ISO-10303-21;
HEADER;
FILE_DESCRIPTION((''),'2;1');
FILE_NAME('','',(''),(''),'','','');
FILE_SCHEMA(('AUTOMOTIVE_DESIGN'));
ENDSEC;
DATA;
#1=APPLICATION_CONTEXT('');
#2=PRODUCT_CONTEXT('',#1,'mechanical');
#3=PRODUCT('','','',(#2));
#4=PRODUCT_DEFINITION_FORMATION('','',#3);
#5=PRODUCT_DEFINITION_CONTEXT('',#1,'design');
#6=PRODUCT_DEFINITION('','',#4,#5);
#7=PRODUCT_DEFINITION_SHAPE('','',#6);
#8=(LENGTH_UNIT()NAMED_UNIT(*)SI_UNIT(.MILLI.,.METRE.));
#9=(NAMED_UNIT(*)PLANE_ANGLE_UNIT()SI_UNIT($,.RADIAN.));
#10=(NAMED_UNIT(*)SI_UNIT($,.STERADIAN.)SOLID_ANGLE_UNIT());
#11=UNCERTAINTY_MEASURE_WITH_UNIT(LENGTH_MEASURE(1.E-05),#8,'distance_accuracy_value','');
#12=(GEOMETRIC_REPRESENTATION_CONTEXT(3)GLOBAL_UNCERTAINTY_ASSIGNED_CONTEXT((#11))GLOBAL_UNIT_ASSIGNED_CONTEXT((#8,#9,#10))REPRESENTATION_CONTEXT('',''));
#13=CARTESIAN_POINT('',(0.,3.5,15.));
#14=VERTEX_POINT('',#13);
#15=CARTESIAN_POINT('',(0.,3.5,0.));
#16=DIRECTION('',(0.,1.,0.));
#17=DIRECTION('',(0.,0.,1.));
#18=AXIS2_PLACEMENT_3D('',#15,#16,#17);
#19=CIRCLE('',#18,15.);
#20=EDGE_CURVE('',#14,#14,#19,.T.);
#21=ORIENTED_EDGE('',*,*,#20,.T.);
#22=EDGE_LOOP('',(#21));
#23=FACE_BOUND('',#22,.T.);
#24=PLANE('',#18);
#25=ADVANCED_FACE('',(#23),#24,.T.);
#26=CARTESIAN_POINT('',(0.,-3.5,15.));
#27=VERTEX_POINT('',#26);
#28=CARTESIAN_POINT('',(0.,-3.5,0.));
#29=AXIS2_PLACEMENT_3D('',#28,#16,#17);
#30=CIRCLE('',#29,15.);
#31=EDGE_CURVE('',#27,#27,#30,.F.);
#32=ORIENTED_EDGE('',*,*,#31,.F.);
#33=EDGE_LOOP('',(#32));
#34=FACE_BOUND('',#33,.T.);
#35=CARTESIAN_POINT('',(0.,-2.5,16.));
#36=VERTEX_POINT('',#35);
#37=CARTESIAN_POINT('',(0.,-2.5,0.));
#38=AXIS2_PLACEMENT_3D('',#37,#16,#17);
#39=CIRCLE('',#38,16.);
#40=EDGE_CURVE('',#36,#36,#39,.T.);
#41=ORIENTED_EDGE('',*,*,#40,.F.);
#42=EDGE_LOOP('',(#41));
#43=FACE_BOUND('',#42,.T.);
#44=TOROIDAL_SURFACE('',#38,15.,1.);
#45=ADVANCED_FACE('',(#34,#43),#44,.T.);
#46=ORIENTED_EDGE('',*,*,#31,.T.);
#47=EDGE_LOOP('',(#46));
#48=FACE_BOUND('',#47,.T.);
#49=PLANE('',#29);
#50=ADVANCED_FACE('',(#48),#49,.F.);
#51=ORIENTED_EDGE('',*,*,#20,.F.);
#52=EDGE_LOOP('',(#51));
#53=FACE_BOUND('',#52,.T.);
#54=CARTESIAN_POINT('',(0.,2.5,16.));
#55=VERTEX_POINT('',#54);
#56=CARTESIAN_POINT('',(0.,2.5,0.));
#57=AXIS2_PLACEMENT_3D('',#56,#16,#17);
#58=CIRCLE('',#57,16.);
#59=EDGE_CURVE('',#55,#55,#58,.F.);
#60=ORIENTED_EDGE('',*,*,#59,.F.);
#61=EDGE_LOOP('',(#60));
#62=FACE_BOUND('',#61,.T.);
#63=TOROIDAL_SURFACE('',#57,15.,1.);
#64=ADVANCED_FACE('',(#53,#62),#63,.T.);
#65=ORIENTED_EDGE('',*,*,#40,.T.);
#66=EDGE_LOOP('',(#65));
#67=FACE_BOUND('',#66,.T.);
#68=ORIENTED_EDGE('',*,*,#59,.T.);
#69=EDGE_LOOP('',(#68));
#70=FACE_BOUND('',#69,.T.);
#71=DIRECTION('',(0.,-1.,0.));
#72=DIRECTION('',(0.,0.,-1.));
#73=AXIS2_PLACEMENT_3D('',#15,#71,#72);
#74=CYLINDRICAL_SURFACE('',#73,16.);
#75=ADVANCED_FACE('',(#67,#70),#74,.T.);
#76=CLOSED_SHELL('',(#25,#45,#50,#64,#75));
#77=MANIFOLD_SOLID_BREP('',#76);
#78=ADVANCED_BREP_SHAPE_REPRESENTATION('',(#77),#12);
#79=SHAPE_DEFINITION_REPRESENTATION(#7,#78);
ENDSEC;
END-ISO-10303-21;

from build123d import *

# Parameters (mm, degrees)
SKIZZE1_R      = 16
BASE_DEPTH     = 3.5
EDGE_ROUDING_R = 1


with BuildPart() as part:
    # Skizze1 → Base (new, symmetric)
    with BuildSketch(Plane(origin=(0, 0, 0), x_dir=(1, 0, 0), z_dir=(0, 1, 0))):
        with Locations(Location((0, 0, 0), (0, 0, 270))):
            Circle(SKIZZE1_R)
    extrude(amount=BASE_DEPTH, both=True)

    # Edge Rouding
    edge_rouding_edges = [part.edges().sort_by_distance(p)[0] for p in [
        (0, -3.5, -16),
        (0, 3.5, -16),
    ]]
    fillet(edge_rouding_edges, radius=EDGE_ROUDING_R)


solid = part.part
